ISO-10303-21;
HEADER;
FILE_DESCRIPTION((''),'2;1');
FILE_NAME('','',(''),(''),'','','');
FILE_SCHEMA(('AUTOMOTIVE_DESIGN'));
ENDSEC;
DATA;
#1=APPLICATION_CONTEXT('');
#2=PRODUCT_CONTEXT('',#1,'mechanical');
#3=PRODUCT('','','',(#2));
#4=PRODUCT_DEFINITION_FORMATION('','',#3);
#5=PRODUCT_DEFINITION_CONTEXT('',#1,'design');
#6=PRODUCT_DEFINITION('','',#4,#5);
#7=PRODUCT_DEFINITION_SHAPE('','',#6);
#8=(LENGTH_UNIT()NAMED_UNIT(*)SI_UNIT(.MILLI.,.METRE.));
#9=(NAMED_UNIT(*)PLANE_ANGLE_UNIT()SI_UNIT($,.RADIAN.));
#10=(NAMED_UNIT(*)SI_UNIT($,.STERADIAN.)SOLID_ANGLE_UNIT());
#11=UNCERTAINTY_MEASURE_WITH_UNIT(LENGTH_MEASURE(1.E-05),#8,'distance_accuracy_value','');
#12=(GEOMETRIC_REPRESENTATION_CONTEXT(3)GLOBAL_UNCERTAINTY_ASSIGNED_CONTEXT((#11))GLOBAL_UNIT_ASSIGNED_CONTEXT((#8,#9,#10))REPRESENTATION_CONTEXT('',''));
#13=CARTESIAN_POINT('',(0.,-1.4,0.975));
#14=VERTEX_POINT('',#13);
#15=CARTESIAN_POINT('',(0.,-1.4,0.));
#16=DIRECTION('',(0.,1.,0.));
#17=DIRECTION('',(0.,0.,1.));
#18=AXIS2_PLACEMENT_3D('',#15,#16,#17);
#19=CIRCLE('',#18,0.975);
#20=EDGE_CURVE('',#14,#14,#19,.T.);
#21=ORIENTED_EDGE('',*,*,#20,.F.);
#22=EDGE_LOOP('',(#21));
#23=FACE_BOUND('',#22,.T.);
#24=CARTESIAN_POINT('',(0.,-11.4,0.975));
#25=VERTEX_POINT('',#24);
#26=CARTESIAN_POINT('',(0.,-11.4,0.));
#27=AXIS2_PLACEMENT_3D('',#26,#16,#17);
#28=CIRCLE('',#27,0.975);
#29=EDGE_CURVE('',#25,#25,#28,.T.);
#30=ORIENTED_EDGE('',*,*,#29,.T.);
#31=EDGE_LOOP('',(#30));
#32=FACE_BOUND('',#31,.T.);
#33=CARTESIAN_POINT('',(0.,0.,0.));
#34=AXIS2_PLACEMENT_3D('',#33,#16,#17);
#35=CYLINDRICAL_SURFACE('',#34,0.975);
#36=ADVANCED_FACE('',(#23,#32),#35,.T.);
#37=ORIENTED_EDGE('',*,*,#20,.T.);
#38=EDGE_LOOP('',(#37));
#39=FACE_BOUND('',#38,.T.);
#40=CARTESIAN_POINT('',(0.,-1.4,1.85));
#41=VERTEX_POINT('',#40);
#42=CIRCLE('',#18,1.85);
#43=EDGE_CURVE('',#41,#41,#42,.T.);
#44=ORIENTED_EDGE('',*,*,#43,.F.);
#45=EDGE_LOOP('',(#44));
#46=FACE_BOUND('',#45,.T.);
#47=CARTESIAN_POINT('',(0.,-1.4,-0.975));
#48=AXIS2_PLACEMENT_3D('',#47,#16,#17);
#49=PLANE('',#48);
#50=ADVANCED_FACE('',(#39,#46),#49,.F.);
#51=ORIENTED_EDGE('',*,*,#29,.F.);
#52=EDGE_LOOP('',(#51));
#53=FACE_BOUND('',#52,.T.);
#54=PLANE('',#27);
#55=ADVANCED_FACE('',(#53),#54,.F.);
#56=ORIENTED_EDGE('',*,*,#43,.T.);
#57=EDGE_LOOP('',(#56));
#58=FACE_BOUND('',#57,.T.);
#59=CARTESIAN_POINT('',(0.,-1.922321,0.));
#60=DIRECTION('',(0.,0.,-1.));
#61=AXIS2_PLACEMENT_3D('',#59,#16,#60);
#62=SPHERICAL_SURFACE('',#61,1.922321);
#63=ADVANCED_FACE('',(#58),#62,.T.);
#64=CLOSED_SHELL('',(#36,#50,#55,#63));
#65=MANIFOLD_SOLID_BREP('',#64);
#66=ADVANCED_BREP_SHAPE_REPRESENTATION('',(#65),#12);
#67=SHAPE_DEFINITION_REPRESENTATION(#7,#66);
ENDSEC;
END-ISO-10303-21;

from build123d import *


with BuildPart() as part:
    # Sketch1 → Revolve2 (revolve)
    with BuildSketch(Plane(origin=(0, 0, 0), x_dir=(0, 0, -1), z_dir=(1, 0, 0))):
        with BuildLine():
            Line((0, -11.4), (0.975, -11.4))
            Line((0.975, -11.4), (0.975, -1.4))
            Line((0.975, -1.4), (1.85, -1.4))
            ThreePointArc((1.85, -1.4), (1.160010776, -0.389450046), (0, 0))
            Line((0, 0), (0, -11.4))
        make_face()
    revolve(axis=Axis((0, 0, 0), (0, -1, 0)))


solid = part.part
